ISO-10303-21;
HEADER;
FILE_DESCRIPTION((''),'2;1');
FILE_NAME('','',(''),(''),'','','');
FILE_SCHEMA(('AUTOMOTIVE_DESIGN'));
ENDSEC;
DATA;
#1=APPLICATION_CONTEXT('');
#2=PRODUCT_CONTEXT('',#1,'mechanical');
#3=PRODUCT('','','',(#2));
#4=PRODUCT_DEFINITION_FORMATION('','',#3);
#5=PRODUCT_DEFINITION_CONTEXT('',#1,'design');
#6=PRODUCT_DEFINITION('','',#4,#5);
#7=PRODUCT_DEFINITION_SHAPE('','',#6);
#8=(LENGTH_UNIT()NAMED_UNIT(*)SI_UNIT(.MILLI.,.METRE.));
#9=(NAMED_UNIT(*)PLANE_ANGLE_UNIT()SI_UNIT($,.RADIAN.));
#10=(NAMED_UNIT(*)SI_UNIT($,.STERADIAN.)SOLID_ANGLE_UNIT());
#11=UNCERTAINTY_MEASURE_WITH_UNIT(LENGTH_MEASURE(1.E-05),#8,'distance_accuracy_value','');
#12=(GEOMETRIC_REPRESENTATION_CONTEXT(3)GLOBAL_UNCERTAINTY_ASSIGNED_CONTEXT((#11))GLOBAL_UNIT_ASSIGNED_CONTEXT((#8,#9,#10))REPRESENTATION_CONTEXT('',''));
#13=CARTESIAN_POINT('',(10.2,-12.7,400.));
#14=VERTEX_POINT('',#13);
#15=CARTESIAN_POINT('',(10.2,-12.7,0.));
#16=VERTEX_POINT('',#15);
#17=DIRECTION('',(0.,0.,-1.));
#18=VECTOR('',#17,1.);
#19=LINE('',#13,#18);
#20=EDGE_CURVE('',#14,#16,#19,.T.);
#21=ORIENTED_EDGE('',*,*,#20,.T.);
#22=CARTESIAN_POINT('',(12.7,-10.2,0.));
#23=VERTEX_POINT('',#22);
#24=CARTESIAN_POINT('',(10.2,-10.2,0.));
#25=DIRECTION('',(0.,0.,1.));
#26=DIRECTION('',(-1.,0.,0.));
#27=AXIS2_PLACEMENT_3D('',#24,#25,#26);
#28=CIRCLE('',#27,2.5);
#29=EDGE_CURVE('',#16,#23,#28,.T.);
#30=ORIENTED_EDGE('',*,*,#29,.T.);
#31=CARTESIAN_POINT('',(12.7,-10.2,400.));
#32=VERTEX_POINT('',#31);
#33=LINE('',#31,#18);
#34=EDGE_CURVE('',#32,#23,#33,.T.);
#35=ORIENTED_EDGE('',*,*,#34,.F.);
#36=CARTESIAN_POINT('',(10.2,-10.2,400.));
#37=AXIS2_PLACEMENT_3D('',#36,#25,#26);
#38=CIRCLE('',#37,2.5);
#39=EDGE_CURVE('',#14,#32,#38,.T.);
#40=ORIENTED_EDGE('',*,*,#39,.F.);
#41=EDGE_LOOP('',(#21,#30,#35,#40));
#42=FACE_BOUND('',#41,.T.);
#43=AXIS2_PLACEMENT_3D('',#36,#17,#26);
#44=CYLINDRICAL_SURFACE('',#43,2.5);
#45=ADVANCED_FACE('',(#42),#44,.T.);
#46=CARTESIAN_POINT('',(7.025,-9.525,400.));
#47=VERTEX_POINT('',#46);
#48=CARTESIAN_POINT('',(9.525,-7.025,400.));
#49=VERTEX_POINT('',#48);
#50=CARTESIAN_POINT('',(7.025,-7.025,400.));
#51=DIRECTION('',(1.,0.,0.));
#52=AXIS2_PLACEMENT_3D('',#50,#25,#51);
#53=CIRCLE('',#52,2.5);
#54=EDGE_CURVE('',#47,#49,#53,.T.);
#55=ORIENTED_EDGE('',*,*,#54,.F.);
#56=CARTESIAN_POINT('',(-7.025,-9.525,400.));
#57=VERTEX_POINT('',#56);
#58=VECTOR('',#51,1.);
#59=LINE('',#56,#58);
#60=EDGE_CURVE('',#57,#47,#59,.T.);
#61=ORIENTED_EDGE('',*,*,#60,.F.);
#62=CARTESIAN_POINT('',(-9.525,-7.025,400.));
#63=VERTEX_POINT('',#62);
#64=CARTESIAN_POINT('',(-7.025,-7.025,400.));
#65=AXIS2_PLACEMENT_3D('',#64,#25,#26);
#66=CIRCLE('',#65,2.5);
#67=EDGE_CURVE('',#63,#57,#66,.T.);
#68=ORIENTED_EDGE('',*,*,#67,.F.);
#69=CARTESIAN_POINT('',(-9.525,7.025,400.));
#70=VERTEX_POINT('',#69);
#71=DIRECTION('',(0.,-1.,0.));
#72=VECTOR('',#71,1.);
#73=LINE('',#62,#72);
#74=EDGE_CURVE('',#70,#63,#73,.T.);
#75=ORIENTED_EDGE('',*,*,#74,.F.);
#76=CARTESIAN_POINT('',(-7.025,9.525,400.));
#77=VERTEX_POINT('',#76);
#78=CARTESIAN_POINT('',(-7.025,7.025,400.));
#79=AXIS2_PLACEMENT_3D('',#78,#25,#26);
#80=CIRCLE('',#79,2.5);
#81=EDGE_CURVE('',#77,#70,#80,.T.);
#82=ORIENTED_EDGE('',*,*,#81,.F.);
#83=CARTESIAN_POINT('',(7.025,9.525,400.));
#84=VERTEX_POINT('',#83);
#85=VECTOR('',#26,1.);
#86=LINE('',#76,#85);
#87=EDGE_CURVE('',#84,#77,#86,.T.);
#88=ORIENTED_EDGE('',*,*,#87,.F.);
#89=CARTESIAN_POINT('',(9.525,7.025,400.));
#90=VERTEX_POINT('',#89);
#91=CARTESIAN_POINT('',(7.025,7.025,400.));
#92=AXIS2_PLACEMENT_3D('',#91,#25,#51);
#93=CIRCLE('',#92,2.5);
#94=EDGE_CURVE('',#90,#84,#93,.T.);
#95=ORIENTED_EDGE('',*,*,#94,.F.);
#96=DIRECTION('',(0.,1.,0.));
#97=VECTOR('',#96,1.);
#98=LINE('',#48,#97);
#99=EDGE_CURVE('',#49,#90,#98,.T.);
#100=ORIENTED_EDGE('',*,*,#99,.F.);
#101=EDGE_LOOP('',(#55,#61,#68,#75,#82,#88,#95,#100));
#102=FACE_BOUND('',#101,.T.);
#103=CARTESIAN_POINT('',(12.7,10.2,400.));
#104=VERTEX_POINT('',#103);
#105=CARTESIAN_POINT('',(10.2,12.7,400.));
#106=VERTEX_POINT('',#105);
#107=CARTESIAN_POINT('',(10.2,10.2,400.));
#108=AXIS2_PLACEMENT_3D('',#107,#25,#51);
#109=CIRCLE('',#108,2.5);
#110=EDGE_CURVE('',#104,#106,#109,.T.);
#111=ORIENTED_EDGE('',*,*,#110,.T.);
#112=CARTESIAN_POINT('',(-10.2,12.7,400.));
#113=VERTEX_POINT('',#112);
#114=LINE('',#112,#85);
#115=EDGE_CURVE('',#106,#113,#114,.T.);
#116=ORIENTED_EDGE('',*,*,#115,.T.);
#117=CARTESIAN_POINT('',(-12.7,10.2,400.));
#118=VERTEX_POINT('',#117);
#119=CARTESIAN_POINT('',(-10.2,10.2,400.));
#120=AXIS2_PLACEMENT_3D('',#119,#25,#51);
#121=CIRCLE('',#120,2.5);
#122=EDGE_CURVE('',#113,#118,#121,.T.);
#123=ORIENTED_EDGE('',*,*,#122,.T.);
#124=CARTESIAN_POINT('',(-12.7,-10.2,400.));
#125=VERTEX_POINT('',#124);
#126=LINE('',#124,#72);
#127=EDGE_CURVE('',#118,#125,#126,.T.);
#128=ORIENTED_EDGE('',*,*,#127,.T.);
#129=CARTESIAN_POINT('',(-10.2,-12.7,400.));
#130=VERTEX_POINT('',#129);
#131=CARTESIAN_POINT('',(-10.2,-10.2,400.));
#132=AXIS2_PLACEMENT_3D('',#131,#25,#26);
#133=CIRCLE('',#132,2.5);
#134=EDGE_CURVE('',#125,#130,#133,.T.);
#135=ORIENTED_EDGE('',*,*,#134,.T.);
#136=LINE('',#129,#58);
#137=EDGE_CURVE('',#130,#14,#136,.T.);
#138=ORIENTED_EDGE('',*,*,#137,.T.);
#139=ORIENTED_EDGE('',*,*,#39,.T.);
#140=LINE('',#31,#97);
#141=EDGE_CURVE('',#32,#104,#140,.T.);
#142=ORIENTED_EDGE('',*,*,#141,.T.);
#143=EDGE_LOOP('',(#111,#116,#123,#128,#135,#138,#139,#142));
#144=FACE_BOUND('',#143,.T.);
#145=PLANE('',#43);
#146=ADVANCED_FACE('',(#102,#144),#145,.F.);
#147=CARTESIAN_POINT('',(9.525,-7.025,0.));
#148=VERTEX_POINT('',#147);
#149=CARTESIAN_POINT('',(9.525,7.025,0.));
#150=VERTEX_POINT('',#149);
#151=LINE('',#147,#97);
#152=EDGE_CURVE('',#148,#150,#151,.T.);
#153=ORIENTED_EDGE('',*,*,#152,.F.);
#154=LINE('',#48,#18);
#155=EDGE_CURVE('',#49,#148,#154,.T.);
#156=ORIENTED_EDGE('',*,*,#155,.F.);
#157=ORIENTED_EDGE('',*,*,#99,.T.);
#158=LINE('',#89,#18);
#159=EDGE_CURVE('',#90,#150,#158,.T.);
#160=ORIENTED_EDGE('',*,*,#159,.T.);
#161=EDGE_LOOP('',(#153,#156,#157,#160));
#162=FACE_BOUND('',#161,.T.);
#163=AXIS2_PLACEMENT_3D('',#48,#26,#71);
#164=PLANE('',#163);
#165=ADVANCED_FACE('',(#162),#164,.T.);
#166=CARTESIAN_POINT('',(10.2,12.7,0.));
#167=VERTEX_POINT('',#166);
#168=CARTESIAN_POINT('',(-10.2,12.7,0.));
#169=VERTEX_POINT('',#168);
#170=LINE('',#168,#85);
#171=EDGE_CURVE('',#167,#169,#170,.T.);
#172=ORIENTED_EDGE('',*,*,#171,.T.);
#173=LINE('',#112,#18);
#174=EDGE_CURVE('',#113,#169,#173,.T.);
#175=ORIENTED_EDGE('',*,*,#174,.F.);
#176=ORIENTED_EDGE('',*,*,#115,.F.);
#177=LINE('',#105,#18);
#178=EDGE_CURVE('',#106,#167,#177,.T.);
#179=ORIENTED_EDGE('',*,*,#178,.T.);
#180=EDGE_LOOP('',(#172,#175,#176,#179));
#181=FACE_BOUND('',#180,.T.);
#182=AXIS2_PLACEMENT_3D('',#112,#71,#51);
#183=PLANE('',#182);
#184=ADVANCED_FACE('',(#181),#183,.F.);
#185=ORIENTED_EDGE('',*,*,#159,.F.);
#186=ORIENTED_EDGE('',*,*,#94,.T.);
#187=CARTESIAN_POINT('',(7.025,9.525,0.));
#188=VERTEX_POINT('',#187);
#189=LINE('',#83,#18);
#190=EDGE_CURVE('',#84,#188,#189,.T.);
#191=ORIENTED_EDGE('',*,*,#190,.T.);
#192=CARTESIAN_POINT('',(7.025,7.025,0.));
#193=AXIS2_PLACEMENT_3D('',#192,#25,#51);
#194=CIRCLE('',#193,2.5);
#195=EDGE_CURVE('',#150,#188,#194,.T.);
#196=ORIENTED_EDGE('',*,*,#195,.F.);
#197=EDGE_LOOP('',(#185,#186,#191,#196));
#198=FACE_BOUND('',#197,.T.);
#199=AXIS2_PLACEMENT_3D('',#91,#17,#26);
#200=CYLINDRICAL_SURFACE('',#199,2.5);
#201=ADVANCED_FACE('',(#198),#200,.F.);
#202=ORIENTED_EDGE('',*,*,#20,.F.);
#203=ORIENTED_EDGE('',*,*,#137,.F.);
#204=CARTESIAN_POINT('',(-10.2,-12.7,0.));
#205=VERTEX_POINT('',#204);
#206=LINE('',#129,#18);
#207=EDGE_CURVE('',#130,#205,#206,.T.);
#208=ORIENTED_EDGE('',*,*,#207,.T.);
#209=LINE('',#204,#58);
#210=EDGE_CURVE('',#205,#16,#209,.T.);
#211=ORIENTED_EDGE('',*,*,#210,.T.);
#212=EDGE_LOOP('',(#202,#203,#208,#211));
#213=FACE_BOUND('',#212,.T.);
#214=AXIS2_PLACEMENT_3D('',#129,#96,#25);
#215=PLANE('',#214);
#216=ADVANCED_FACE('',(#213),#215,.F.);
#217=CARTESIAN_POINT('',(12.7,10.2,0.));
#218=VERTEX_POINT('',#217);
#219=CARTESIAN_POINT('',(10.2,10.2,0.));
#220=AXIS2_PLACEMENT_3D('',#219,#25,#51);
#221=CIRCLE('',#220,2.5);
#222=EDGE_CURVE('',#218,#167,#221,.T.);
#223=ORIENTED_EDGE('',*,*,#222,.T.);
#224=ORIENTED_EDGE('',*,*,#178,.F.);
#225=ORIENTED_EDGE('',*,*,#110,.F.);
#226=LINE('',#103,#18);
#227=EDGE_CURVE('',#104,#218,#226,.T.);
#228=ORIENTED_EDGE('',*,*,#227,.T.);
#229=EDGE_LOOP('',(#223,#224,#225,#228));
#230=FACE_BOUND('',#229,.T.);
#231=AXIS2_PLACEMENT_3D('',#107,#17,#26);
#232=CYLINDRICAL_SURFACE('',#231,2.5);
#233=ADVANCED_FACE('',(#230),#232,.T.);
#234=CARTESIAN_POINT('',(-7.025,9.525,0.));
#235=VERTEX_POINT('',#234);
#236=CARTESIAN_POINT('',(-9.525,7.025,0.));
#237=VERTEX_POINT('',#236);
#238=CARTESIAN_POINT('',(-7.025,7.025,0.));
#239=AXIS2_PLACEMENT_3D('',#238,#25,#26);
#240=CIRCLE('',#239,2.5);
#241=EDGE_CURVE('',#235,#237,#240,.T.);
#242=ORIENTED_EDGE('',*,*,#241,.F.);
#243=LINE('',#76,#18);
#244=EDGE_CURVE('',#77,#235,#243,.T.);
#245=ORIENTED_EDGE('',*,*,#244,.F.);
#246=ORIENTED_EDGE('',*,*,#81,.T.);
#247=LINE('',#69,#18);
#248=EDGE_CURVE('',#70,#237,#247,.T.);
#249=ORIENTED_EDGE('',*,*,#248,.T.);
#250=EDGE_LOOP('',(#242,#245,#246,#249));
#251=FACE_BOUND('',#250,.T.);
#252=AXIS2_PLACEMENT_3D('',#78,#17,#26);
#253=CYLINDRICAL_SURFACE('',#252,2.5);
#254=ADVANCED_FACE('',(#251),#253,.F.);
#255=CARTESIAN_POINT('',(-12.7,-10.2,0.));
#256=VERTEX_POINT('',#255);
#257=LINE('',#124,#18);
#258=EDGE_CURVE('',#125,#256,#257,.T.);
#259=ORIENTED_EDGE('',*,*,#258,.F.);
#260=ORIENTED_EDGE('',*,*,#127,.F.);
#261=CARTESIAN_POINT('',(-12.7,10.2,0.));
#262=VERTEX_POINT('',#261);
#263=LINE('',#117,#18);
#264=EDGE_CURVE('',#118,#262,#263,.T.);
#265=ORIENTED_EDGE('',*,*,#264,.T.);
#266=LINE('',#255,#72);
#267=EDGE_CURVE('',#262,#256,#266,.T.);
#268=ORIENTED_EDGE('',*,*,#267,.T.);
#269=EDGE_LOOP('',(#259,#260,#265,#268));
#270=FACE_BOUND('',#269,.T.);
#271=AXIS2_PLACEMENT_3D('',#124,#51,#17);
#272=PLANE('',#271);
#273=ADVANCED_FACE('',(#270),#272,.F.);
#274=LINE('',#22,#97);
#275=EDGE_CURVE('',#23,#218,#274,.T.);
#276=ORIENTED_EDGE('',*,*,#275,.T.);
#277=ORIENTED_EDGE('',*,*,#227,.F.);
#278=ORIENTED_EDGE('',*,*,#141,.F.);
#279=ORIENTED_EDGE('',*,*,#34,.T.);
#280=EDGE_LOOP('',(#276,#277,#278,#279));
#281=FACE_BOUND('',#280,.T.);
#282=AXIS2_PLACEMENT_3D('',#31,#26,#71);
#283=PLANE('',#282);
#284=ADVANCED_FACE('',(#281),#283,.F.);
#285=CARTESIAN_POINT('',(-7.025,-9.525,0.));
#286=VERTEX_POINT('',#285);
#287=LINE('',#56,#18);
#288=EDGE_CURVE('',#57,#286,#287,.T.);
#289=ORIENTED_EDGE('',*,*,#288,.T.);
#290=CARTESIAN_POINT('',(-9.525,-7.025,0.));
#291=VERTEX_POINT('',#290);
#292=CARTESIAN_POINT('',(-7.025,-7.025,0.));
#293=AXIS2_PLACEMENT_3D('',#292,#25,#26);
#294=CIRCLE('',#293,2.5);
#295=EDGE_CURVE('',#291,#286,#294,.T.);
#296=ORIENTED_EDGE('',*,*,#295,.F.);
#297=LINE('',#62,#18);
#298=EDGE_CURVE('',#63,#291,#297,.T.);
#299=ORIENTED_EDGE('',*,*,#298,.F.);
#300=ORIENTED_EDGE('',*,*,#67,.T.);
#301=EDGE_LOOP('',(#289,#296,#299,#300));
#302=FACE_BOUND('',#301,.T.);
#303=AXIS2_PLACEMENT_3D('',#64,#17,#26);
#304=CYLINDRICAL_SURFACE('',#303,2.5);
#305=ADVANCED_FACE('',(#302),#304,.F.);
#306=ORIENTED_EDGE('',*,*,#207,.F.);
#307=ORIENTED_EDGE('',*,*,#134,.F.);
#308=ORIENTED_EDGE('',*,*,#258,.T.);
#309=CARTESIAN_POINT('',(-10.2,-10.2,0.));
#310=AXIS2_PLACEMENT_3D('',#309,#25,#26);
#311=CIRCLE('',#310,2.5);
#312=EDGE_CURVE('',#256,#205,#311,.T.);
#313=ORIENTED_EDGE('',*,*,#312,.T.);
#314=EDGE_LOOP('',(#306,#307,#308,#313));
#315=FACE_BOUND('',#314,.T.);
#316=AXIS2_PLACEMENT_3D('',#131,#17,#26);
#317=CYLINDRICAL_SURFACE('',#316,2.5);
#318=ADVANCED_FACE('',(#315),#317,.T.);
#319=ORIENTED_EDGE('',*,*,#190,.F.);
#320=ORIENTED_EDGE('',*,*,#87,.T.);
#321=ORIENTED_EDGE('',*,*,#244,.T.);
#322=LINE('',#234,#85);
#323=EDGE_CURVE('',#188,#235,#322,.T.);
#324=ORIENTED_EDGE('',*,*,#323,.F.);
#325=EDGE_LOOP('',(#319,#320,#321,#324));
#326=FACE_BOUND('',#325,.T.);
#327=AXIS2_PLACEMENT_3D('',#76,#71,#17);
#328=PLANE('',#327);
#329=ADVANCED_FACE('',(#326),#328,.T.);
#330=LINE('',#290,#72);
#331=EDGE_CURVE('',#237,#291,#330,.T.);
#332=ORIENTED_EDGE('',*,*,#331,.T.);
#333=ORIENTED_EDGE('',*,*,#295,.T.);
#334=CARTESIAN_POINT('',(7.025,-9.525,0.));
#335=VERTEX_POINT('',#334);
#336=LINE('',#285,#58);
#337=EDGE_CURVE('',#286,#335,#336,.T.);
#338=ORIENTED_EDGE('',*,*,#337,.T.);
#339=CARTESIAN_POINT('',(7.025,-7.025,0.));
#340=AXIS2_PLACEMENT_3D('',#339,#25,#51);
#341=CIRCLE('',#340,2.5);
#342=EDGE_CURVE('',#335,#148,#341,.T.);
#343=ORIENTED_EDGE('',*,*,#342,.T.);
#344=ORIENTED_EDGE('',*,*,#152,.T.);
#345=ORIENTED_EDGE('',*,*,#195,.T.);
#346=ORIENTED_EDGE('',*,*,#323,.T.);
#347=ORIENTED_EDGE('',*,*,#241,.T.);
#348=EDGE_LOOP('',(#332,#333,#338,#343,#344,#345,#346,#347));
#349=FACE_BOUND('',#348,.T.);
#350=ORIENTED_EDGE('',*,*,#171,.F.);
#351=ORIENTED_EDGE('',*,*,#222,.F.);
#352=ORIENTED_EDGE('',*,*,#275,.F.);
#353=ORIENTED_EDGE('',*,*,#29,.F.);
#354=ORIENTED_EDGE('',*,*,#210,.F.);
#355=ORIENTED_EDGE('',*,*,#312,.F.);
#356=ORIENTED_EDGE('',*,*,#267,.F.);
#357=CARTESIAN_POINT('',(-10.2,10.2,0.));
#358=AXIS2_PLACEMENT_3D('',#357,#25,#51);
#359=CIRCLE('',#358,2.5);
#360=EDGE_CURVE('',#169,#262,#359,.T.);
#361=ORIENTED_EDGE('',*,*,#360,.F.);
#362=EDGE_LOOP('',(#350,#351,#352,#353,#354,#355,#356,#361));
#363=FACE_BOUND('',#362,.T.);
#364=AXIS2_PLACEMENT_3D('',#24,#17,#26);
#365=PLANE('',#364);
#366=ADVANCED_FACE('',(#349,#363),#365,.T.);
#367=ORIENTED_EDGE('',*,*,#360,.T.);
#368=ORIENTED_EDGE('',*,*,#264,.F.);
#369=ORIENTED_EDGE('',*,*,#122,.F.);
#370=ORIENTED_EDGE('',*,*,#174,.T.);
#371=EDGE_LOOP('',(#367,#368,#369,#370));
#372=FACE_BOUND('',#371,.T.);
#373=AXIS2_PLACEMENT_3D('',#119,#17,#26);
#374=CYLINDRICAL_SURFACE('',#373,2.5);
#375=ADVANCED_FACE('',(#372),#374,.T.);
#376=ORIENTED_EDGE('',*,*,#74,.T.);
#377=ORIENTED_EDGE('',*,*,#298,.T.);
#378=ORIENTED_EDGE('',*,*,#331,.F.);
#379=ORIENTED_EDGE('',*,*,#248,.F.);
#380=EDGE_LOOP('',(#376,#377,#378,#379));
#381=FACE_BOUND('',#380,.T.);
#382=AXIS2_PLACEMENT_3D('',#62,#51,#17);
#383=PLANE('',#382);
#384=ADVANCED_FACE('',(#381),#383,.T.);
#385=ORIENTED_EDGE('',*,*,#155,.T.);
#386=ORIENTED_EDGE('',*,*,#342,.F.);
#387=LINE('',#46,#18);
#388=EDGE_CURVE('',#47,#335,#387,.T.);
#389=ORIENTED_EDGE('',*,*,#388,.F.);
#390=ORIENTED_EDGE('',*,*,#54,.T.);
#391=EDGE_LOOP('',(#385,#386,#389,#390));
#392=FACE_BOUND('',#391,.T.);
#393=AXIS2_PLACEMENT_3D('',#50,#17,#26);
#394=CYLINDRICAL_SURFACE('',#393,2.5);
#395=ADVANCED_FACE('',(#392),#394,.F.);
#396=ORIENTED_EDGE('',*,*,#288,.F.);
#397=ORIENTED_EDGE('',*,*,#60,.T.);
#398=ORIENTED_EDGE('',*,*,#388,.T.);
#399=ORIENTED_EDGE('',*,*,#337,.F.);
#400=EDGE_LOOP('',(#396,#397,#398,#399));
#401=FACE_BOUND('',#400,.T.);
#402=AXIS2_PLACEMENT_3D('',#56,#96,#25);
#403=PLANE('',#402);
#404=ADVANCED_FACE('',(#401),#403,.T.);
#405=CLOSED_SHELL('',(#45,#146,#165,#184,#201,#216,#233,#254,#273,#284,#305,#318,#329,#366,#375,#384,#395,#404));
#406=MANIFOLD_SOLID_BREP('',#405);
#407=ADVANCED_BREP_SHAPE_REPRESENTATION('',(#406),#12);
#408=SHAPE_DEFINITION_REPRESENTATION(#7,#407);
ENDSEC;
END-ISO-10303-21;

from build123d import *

# Parameters (mm, degrees)
SALIENTE_EXTRUIR1_DEPTH = 400


with BuildPart() as part:
    # Croquis1 → Saliente-Extruir1 (new body)
    with BuildSketch(Plane.XY):
        with BuildLine():
            Line((-10.2, -12.7), (10.2, -12.7))
            ThreePointArc((10.2, -12.7), (11.967766953, -11.967766953), (12.7, -10.2))
            Line((12.7, -10.2), (12.7, 10.2))
            ThreePointArc((12.7, 10.2), (11.967766953, 11.967766953), (10.2, 12.7))
            Line((10.2, 12.7), (-10.2, 12.7))
            ThreePointArc((-10.2, 12.7), (-11.967766953, 11.967766953), (-12.7, 10.2))
            Line((-12.7, 10.2), (-12.7, -10.2))
            ThreePointArc((-12.7, -10.2), (-11.967766953, -11.967766953), (-10.2, -12.7))
        make_face()
        with BuildLine():
            Line((-7.025, -9.525), (7.025, -9.525))
            ThreePointArc((7.025, -9.525), (8.792766953, -8.792766953), (9.525, -7.025))
            Line((9.525, -7.025), (9.525, 7.025))
            ThreePointArc((9.525, 7.025), (8.792766953, 8.792766953), (7.025, 9.525))
            Line((7.025, 9.525), (-7.025, 9.525))
            ThreePointArc((-7.025, 9.525), (-8.792766953, 8.792766953), (-9.525, 7.025))
            Line((-9.525, 7.025), (-9.525, -7.025))
            ThreePointArc((-9.525, -7.025), (-8.792766953, -8.792766953), (-7.025, -9.525))
        make_face(mode=Mode.SUBTRACT)
    extrude(amount=SALIENTE_EXTRUIR1_DEPTH)


solid = part.part
